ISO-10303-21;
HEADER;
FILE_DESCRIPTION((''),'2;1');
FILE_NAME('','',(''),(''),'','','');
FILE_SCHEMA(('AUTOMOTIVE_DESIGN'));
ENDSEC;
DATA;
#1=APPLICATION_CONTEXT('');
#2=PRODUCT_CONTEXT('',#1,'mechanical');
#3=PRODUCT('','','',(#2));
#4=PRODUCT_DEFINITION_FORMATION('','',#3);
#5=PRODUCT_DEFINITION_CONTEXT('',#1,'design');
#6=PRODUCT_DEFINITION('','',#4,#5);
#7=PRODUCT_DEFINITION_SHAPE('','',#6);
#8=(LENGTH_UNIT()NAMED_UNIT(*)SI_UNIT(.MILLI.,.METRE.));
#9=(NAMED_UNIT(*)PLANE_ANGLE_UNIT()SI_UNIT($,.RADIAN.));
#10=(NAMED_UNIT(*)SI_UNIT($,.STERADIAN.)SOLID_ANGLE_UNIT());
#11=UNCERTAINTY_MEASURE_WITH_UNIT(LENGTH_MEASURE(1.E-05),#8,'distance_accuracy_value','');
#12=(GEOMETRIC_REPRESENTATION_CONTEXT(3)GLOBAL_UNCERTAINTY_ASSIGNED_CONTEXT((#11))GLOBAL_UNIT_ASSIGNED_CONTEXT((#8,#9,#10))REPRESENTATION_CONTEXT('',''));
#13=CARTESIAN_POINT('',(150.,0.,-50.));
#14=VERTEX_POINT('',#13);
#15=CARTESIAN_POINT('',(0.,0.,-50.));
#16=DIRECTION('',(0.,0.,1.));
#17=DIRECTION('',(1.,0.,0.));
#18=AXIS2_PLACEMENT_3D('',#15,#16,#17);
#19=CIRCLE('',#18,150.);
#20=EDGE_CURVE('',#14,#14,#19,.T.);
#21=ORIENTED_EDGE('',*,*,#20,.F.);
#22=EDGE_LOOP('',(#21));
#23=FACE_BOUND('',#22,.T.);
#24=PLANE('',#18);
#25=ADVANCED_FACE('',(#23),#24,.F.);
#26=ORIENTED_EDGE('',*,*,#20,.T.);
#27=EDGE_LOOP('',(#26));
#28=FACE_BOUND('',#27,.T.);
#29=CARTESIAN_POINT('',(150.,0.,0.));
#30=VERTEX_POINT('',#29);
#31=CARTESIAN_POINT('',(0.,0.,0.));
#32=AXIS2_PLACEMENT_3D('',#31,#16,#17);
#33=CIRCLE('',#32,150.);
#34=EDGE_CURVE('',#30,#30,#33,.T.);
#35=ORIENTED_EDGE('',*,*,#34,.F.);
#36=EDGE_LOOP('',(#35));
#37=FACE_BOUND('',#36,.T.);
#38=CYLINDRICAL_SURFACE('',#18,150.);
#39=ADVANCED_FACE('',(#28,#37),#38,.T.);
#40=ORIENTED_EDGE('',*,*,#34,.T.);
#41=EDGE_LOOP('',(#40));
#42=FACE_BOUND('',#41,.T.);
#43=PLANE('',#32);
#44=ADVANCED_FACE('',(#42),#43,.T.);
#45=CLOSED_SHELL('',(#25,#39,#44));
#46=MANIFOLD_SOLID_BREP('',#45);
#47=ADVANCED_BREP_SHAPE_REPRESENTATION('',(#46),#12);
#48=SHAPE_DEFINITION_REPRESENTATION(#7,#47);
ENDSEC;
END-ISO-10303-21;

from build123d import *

# Parameters (mm, degrees)
SCHIZZO1_R                   = 150
ESTRUSIONE_ESTRUSIONE1_DEPTH = 50


with BuildPart() as part:
    # Schizzo1 → Estrusione-Estrusione1 (new body)
    with BuildSketch(Plane.XY):
        Circle(SCHIZZO1_R)
    extrude(amount=-ESTRUSIONE_ESTRUSIONE1_DEPTH)


solid = part.part
